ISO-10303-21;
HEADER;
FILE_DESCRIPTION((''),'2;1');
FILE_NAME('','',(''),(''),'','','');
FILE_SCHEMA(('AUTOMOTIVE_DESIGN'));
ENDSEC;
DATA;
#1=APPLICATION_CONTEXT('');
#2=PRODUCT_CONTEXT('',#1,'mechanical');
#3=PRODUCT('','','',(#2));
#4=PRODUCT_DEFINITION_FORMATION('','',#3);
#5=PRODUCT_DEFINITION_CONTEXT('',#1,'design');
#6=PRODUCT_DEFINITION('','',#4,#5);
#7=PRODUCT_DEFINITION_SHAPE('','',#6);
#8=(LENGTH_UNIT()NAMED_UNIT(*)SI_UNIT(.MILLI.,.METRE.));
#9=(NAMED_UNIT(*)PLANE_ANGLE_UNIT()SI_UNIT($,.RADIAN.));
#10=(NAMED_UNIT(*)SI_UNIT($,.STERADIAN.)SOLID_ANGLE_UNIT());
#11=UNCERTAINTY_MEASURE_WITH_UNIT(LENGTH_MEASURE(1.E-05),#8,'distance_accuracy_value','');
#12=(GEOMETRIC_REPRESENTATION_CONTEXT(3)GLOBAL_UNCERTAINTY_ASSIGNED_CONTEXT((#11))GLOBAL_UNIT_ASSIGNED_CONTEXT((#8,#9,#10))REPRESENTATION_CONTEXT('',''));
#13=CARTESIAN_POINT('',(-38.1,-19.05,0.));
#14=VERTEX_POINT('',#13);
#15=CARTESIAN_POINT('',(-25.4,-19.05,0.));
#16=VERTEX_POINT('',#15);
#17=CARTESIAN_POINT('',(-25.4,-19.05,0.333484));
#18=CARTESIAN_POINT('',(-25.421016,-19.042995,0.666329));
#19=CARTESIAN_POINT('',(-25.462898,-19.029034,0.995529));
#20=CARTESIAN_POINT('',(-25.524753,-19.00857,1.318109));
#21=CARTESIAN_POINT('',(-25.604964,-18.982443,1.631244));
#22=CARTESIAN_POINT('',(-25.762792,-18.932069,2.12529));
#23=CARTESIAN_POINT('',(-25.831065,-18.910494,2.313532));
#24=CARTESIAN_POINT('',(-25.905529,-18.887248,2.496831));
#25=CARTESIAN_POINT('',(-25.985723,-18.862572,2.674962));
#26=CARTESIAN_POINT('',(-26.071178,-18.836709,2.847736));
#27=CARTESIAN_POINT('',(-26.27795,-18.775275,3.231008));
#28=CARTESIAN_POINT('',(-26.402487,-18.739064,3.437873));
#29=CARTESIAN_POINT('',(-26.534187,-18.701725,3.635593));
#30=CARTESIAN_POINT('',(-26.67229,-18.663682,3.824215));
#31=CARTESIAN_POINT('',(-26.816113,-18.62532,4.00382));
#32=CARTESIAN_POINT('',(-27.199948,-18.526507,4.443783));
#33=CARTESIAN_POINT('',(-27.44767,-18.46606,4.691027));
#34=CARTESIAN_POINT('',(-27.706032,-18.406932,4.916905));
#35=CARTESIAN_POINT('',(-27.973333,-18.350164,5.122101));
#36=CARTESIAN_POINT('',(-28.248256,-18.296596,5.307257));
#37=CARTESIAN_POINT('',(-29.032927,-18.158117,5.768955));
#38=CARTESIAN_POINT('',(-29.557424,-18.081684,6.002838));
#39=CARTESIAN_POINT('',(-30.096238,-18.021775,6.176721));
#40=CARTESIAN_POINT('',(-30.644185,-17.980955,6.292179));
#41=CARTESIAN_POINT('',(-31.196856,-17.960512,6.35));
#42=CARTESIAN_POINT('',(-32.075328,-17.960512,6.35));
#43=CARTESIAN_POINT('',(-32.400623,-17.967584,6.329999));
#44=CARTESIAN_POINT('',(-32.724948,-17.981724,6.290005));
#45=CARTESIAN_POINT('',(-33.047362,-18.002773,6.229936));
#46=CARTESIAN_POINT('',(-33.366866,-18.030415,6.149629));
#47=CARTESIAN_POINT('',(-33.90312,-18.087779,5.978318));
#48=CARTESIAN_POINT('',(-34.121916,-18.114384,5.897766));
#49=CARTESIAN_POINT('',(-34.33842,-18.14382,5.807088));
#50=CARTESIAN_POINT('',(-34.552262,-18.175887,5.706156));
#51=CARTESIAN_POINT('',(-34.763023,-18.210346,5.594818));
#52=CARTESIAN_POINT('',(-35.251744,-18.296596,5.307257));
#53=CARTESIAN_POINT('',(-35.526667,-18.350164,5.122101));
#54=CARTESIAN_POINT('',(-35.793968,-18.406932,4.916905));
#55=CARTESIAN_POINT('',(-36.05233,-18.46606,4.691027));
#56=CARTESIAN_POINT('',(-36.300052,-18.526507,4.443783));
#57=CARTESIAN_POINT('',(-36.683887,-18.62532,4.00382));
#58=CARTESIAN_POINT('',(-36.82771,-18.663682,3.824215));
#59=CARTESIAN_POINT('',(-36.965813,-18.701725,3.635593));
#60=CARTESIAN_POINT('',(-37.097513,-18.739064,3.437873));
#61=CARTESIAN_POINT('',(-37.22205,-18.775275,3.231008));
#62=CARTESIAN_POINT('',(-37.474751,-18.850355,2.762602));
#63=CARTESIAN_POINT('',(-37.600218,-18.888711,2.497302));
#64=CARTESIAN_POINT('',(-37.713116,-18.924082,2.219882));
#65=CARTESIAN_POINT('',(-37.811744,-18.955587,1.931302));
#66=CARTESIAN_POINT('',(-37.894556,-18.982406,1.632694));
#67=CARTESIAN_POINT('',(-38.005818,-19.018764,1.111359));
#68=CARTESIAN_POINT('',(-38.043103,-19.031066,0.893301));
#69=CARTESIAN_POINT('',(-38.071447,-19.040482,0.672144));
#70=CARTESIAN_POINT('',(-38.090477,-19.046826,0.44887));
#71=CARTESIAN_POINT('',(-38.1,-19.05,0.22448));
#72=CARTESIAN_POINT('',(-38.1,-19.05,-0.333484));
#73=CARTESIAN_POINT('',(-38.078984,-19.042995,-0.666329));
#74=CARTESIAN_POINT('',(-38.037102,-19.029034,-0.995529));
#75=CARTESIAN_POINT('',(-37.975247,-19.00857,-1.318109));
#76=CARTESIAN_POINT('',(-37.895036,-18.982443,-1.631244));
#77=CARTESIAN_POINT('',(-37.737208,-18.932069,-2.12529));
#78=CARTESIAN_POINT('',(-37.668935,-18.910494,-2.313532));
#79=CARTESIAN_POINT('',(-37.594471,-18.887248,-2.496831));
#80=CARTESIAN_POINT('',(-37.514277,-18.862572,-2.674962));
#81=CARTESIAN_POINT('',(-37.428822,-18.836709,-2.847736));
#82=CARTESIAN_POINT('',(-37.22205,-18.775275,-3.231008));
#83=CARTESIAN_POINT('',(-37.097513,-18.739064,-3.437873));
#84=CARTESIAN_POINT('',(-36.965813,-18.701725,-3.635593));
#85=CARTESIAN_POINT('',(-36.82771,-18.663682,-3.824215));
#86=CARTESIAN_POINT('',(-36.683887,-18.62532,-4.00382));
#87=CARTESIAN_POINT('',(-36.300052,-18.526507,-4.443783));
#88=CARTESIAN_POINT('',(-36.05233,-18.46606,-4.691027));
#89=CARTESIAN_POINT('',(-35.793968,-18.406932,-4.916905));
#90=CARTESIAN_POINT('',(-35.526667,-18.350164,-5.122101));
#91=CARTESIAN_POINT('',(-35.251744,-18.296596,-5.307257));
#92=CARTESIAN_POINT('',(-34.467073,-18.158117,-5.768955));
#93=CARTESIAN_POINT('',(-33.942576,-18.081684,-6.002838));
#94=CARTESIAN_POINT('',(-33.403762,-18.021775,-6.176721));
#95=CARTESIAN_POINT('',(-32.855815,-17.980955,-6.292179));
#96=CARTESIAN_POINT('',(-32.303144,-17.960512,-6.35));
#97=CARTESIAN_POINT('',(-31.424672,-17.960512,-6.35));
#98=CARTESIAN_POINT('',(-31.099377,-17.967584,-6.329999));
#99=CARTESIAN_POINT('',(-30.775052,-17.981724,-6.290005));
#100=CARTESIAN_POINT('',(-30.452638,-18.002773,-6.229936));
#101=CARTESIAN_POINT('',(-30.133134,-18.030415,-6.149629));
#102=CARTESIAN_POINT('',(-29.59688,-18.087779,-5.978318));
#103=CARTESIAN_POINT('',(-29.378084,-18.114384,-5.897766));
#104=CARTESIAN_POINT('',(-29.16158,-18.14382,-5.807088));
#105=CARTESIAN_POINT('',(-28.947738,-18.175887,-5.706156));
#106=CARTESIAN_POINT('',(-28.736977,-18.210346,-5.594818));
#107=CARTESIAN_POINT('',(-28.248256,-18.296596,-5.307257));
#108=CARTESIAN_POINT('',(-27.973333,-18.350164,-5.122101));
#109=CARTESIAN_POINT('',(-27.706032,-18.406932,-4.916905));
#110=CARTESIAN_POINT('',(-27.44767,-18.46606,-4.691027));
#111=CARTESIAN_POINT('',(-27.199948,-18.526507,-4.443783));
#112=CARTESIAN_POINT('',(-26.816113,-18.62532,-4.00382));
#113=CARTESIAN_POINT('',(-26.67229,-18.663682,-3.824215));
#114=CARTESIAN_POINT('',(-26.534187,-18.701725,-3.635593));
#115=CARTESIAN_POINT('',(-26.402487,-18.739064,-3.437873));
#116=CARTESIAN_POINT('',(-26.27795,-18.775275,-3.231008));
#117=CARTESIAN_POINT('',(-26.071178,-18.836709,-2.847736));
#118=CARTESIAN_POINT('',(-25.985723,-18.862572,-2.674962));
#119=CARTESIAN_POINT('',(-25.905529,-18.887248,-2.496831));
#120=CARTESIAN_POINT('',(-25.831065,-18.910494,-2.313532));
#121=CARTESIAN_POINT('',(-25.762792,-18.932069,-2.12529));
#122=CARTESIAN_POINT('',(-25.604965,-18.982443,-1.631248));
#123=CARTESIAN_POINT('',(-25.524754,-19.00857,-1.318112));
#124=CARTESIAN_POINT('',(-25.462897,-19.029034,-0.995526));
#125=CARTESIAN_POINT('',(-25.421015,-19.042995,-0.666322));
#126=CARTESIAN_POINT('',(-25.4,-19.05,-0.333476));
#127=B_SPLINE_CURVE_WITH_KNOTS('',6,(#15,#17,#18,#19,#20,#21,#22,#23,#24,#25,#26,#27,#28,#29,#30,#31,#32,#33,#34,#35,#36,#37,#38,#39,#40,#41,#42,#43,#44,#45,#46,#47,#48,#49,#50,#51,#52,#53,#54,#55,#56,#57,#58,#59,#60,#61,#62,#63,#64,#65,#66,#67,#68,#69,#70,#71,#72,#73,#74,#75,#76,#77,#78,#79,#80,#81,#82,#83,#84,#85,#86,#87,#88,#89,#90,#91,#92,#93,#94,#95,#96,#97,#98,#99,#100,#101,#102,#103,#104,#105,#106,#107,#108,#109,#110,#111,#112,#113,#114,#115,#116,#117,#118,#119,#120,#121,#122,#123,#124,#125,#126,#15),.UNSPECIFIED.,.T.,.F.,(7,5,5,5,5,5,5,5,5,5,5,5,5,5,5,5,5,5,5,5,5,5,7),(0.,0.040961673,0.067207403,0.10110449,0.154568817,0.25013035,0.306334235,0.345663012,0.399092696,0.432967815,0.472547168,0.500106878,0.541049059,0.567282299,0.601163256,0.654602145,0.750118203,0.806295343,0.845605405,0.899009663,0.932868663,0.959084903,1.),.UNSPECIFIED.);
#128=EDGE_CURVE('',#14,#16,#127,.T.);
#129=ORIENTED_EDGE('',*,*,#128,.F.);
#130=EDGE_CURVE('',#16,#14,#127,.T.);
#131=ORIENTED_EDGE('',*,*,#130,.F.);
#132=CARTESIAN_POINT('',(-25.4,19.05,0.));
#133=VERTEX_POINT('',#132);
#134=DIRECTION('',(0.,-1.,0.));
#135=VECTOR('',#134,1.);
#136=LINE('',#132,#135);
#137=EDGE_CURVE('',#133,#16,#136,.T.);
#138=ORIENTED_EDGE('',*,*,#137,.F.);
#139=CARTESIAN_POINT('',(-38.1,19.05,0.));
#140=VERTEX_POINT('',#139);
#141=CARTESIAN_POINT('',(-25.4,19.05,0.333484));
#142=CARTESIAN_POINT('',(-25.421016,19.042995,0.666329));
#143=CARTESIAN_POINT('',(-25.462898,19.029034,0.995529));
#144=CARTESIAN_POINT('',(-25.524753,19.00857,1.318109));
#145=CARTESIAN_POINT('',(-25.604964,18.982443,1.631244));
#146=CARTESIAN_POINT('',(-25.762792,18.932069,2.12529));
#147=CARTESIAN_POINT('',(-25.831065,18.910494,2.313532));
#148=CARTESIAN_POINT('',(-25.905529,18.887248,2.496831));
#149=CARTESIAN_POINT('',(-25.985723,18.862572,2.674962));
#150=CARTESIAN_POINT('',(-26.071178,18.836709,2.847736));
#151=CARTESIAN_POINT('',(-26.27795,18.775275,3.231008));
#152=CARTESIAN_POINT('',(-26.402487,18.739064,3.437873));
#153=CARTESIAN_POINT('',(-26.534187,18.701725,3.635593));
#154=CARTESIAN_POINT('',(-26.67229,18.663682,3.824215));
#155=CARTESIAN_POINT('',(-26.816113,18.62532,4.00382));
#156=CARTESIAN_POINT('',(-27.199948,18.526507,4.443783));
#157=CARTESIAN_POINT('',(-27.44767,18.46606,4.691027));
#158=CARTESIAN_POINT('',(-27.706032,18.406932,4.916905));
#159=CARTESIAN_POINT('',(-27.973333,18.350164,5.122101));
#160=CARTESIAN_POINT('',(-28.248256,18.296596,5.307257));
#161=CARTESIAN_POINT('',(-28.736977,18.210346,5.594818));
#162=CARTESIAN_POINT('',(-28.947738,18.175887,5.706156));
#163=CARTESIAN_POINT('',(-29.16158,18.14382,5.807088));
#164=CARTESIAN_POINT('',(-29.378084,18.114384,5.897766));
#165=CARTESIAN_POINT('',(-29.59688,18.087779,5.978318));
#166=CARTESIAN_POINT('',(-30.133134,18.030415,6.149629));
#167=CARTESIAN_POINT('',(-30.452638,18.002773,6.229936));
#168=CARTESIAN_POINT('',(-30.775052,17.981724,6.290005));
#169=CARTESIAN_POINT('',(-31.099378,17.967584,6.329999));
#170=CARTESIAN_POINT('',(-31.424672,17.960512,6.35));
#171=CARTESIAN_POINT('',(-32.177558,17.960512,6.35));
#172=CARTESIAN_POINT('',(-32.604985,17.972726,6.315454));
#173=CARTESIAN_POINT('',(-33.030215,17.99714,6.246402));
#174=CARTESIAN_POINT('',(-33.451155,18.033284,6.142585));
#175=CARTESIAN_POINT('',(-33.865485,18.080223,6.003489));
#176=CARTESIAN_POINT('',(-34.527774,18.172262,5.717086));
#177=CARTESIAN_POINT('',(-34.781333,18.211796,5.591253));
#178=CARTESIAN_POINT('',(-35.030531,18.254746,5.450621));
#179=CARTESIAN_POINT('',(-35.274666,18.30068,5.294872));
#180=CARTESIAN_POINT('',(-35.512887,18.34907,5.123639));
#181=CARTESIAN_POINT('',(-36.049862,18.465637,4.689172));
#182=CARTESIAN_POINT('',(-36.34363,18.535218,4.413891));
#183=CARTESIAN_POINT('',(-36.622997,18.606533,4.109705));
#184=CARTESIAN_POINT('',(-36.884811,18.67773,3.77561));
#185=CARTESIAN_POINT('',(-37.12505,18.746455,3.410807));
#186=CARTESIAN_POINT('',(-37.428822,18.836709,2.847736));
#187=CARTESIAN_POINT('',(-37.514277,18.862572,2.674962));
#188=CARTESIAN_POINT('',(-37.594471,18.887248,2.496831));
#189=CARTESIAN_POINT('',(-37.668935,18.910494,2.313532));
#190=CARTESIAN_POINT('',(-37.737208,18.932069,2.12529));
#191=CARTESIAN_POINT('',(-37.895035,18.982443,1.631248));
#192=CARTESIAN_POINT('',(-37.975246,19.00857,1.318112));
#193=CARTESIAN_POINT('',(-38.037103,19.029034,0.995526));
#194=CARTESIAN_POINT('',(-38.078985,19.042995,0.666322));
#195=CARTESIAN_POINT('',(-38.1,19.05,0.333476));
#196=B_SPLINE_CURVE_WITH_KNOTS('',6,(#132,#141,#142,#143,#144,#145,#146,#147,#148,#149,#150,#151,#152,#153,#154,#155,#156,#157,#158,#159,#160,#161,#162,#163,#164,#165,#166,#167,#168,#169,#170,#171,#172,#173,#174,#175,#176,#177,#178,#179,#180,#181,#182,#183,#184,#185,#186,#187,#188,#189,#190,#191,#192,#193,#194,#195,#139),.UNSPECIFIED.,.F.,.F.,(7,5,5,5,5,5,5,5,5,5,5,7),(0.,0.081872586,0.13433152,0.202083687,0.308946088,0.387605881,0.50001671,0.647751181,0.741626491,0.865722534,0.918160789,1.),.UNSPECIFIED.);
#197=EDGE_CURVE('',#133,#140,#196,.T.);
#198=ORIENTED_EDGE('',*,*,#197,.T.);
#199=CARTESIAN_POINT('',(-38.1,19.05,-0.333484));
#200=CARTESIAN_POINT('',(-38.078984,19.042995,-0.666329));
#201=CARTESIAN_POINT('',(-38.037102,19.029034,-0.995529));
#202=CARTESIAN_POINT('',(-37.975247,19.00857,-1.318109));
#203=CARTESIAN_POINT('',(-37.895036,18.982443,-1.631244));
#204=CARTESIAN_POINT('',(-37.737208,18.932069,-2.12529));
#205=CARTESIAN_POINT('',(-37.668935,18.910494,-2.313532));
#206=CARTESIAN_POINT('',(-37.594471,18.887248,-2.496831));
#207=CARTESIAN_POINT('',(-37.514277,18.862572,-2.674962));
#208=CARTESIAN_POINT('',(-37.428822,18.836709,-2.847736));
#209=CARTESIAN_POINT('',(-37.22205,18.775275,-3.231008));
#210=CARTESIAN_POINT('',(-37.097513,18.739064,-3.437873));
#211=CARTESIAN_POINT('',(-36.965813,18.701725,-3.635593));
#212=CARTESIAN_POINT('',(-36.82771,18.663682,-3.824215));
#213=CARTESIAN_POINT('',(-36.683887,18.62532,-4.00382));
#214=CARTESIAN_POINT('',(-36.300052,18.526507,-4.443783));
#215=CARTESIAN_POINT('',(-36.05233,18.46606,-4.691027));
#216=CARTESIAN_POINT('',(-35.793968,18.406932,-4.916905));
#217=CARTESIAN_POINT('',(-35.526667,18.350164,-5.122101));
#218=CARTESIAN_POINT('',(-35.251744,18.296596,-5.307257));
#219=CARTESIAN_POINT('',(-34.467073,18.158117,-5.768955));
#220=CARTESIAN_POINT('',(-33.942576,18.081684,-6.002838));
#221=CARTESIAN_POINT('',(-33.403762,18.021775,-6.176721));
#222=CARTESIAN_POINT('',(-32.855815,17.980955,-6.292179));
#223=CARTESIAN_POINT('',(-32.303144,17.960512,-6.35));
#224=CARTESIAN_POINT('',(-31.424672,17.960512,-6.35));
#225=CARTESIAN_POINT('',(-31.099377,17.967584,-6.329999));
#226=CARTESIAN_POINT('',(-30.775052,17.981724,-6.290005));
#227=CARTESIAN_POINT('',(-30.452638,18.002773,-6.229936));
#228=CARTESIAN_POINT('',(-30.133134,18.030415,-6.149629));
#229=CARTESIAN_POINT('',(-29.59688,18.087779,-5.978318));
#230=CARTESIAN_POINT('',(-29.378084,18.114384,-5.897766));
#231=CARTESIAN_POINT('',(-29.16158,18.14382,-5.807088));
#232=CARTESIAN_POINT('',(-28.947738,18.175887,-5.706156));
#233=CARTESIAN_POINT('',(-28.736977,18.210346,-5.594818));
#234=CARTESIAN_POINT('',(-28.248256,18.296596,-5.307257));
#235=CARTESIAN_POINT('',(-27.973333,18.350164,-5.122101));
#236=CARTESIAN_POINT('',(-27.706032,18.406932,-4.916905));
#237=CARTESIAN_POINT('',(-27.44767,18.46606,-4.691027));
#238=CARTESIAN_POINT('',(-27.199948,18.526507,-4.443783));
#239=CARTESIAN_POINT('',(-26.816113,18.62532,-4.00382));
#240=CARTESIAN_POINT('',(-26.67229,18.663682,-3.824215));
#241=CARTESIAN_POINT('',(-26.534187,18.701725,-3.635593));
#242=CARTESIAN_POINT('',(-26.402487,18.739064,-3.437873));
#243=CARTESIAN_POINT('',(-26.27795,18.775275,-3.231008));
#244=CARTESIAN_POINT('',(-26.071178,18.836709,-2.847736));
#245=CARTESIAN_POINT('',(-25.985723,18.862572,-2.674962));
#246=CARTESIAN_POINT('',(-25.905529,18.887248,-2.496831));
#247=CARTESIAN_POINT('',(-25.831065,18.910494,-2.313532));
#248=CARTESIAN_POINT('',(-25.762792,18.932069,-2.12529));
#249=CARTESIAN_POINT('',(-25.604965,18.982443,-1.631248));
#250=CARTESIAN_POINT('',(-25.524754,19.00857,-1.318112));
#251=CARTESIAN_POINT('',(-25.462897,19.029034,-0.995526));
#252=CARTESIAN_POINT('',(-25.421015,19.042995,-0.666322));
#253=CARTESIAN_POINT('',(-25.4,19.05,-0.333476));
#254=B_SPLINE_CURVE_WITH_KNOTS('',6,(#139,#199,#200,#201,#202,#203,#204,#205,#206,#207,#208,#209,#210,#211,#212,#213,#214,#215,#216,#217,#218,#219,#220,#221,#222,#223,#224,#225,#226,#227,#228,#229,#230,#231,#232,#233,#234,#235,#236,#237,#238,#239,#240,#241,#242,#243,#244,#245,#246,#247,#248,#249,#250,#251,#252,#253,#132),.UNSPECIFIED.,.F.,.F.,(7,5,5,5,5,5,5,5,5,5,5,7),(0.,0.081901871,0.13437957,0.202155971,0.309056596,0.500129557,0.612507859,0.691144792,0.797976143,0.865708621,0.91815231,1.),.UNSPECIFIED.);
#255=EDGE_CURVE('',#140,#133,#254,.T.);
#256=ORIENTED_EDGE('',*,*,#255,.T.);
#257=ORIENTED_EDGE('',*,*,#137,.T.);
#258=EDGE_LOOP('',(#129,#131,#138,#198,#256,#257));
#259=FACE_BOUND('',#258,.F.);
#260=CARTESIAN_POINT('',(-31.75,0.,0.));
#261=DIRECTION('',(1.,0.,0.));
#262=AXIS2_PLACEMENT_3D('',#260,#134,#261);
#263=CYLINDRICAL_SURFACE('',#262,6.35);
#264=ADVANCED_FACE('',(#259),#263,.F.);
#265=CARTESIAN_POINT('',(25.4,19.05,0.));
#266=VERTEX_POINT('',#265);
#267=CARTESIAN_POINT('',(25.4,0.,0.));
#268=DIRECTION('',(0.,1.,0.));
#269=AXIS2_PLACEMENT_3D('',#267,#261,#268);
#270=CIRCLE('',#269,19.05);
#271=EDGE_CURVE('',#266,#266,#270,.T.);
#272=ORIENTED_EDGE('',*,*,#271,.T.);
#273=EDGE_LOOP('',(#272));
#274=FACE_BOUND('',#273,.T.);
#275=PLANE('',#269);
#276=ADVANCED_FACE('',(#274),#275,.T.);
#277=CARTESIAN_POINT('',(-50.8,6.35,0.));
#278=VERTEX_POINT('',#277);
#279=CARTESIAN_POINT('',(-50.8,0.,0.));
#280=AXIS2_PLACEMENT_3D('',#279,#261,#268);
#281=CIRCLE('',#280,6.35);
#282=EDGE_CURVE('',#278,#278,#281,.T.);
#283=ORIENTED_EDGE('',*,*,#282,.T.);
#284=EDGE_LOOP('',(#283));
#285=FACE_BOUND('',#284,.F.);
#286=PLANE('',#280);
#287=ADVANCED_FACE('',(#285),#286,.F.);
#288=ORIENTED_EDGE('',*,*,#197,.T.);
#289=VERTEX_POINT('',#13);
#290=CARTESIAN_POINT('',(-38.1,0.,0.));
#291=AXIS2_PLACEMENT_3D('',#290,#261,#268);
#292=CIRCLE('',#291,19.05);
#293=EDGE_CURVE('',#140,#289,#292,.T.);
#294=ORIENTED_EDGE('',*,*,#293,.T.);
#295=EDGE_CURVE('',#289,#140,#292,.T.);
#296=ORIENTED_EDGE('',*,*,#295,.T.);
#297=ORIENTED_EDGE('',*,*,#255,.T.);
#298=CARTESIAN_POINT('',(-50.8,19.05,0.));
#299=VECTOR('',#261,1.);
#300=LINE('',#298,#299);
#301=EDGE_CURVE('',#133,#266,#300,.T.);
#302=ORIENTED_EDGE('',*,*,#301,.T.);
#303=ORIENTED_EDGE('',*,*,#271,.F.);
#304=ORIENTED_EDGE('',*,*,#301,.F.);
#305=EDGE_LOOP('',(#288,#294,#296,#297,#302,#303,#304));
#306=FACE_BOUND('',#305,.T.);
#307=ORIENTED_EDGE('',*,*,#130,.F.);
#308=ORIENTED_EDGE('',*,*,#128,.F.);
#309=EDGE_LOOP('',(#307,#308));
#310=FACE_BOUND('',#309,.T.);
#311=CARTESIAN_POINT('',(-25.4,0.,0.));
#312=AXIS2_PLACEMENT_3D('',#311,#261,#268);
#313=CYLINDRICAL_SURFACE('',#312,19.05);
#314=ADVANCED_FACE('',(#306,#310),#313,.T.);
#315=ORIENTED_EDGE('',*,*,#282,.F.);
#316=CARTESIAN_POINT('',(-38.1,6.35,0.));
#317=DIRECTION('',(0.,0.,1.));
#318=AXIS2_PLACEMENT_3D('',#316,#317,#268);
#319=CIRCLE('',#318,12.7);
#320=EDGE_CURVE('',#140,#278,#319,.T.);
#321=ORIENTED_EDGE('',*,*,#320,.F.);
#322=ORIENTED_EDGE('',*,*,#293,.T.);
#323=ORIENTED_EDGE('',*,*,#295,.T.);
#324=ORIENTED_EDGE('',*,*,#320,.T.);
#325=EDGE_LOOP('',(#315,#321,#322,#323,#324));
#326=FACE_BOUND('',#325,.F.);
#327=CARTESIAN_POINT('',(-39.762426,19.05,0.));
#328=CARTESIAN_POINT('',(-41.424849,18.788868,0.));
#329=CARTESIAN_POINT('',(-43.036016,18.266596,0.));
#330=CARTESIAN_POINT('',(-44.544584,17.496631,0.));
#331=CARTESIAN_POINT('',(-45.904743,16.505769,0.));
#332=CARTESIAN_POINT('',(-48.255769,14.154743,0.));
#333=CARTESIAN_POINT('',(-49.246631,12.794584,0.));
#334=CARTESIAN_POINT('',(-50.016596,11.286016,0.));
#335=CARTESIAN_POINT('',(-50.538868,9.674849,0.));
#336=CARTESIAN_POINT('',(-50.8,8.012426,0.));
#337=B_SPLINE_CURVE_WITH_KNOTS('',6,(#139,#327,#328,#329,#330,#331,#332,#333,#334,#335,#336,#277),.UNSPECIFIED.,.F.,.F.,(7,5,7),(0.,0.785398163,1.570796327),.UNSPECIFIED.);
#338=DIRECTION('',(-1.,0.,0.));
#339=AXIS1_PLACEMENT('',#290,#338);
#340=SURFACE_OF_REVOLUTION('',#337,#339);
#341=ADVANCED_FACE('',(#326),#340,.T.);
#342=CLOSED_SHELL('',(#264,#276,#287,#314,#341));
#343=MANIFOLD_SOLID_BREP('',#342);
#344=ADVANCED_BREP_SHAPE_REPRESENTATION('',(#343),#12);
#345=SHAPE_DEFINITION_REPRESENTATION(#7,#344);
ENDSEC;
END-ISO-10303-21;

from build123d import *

# Parameters (mm, degrees)
F0_R     = 19.05
F1_DEPTH = 25.4
F2_DEPTH = 25.4
F4_R     = 12.7
F3_R     = 6.35
F5_DEPTH = 19.05


with BuildPart() as f1:
    # F0 (on Right) → F1 (new body, symmetric)
    with BuildSketch(Plane.YZ):
        Circle(F0_R)
    extrude(amount=F1_DEPTH, both=True)

    # F2 (add): a face of the model
    f2_faces = [f1.faces().sort_by_distance(p)[0] for p in [
        (-25.4, 0, 0),
    ]]
    extrude(f2_faces, amount=F2_DEPTH)

    # F4
    f4_edges = [f1.edges().sort_by_distance(p)[0] for p in [
        (-50.8, -19.05, 0),
    ]]
    fillet(f4_edges, radius=F4_R)

    # F3 (on Front) → F5 (cut, symmetric)
    with BuildSketch(Plane.XZ):
        with Locations((-31.75, 0)):
            Circle(F3_R)
    extrude(amount=F5_DEPTH, both=True, mode=Mode.SUBTRACT)


solid = f1.part
